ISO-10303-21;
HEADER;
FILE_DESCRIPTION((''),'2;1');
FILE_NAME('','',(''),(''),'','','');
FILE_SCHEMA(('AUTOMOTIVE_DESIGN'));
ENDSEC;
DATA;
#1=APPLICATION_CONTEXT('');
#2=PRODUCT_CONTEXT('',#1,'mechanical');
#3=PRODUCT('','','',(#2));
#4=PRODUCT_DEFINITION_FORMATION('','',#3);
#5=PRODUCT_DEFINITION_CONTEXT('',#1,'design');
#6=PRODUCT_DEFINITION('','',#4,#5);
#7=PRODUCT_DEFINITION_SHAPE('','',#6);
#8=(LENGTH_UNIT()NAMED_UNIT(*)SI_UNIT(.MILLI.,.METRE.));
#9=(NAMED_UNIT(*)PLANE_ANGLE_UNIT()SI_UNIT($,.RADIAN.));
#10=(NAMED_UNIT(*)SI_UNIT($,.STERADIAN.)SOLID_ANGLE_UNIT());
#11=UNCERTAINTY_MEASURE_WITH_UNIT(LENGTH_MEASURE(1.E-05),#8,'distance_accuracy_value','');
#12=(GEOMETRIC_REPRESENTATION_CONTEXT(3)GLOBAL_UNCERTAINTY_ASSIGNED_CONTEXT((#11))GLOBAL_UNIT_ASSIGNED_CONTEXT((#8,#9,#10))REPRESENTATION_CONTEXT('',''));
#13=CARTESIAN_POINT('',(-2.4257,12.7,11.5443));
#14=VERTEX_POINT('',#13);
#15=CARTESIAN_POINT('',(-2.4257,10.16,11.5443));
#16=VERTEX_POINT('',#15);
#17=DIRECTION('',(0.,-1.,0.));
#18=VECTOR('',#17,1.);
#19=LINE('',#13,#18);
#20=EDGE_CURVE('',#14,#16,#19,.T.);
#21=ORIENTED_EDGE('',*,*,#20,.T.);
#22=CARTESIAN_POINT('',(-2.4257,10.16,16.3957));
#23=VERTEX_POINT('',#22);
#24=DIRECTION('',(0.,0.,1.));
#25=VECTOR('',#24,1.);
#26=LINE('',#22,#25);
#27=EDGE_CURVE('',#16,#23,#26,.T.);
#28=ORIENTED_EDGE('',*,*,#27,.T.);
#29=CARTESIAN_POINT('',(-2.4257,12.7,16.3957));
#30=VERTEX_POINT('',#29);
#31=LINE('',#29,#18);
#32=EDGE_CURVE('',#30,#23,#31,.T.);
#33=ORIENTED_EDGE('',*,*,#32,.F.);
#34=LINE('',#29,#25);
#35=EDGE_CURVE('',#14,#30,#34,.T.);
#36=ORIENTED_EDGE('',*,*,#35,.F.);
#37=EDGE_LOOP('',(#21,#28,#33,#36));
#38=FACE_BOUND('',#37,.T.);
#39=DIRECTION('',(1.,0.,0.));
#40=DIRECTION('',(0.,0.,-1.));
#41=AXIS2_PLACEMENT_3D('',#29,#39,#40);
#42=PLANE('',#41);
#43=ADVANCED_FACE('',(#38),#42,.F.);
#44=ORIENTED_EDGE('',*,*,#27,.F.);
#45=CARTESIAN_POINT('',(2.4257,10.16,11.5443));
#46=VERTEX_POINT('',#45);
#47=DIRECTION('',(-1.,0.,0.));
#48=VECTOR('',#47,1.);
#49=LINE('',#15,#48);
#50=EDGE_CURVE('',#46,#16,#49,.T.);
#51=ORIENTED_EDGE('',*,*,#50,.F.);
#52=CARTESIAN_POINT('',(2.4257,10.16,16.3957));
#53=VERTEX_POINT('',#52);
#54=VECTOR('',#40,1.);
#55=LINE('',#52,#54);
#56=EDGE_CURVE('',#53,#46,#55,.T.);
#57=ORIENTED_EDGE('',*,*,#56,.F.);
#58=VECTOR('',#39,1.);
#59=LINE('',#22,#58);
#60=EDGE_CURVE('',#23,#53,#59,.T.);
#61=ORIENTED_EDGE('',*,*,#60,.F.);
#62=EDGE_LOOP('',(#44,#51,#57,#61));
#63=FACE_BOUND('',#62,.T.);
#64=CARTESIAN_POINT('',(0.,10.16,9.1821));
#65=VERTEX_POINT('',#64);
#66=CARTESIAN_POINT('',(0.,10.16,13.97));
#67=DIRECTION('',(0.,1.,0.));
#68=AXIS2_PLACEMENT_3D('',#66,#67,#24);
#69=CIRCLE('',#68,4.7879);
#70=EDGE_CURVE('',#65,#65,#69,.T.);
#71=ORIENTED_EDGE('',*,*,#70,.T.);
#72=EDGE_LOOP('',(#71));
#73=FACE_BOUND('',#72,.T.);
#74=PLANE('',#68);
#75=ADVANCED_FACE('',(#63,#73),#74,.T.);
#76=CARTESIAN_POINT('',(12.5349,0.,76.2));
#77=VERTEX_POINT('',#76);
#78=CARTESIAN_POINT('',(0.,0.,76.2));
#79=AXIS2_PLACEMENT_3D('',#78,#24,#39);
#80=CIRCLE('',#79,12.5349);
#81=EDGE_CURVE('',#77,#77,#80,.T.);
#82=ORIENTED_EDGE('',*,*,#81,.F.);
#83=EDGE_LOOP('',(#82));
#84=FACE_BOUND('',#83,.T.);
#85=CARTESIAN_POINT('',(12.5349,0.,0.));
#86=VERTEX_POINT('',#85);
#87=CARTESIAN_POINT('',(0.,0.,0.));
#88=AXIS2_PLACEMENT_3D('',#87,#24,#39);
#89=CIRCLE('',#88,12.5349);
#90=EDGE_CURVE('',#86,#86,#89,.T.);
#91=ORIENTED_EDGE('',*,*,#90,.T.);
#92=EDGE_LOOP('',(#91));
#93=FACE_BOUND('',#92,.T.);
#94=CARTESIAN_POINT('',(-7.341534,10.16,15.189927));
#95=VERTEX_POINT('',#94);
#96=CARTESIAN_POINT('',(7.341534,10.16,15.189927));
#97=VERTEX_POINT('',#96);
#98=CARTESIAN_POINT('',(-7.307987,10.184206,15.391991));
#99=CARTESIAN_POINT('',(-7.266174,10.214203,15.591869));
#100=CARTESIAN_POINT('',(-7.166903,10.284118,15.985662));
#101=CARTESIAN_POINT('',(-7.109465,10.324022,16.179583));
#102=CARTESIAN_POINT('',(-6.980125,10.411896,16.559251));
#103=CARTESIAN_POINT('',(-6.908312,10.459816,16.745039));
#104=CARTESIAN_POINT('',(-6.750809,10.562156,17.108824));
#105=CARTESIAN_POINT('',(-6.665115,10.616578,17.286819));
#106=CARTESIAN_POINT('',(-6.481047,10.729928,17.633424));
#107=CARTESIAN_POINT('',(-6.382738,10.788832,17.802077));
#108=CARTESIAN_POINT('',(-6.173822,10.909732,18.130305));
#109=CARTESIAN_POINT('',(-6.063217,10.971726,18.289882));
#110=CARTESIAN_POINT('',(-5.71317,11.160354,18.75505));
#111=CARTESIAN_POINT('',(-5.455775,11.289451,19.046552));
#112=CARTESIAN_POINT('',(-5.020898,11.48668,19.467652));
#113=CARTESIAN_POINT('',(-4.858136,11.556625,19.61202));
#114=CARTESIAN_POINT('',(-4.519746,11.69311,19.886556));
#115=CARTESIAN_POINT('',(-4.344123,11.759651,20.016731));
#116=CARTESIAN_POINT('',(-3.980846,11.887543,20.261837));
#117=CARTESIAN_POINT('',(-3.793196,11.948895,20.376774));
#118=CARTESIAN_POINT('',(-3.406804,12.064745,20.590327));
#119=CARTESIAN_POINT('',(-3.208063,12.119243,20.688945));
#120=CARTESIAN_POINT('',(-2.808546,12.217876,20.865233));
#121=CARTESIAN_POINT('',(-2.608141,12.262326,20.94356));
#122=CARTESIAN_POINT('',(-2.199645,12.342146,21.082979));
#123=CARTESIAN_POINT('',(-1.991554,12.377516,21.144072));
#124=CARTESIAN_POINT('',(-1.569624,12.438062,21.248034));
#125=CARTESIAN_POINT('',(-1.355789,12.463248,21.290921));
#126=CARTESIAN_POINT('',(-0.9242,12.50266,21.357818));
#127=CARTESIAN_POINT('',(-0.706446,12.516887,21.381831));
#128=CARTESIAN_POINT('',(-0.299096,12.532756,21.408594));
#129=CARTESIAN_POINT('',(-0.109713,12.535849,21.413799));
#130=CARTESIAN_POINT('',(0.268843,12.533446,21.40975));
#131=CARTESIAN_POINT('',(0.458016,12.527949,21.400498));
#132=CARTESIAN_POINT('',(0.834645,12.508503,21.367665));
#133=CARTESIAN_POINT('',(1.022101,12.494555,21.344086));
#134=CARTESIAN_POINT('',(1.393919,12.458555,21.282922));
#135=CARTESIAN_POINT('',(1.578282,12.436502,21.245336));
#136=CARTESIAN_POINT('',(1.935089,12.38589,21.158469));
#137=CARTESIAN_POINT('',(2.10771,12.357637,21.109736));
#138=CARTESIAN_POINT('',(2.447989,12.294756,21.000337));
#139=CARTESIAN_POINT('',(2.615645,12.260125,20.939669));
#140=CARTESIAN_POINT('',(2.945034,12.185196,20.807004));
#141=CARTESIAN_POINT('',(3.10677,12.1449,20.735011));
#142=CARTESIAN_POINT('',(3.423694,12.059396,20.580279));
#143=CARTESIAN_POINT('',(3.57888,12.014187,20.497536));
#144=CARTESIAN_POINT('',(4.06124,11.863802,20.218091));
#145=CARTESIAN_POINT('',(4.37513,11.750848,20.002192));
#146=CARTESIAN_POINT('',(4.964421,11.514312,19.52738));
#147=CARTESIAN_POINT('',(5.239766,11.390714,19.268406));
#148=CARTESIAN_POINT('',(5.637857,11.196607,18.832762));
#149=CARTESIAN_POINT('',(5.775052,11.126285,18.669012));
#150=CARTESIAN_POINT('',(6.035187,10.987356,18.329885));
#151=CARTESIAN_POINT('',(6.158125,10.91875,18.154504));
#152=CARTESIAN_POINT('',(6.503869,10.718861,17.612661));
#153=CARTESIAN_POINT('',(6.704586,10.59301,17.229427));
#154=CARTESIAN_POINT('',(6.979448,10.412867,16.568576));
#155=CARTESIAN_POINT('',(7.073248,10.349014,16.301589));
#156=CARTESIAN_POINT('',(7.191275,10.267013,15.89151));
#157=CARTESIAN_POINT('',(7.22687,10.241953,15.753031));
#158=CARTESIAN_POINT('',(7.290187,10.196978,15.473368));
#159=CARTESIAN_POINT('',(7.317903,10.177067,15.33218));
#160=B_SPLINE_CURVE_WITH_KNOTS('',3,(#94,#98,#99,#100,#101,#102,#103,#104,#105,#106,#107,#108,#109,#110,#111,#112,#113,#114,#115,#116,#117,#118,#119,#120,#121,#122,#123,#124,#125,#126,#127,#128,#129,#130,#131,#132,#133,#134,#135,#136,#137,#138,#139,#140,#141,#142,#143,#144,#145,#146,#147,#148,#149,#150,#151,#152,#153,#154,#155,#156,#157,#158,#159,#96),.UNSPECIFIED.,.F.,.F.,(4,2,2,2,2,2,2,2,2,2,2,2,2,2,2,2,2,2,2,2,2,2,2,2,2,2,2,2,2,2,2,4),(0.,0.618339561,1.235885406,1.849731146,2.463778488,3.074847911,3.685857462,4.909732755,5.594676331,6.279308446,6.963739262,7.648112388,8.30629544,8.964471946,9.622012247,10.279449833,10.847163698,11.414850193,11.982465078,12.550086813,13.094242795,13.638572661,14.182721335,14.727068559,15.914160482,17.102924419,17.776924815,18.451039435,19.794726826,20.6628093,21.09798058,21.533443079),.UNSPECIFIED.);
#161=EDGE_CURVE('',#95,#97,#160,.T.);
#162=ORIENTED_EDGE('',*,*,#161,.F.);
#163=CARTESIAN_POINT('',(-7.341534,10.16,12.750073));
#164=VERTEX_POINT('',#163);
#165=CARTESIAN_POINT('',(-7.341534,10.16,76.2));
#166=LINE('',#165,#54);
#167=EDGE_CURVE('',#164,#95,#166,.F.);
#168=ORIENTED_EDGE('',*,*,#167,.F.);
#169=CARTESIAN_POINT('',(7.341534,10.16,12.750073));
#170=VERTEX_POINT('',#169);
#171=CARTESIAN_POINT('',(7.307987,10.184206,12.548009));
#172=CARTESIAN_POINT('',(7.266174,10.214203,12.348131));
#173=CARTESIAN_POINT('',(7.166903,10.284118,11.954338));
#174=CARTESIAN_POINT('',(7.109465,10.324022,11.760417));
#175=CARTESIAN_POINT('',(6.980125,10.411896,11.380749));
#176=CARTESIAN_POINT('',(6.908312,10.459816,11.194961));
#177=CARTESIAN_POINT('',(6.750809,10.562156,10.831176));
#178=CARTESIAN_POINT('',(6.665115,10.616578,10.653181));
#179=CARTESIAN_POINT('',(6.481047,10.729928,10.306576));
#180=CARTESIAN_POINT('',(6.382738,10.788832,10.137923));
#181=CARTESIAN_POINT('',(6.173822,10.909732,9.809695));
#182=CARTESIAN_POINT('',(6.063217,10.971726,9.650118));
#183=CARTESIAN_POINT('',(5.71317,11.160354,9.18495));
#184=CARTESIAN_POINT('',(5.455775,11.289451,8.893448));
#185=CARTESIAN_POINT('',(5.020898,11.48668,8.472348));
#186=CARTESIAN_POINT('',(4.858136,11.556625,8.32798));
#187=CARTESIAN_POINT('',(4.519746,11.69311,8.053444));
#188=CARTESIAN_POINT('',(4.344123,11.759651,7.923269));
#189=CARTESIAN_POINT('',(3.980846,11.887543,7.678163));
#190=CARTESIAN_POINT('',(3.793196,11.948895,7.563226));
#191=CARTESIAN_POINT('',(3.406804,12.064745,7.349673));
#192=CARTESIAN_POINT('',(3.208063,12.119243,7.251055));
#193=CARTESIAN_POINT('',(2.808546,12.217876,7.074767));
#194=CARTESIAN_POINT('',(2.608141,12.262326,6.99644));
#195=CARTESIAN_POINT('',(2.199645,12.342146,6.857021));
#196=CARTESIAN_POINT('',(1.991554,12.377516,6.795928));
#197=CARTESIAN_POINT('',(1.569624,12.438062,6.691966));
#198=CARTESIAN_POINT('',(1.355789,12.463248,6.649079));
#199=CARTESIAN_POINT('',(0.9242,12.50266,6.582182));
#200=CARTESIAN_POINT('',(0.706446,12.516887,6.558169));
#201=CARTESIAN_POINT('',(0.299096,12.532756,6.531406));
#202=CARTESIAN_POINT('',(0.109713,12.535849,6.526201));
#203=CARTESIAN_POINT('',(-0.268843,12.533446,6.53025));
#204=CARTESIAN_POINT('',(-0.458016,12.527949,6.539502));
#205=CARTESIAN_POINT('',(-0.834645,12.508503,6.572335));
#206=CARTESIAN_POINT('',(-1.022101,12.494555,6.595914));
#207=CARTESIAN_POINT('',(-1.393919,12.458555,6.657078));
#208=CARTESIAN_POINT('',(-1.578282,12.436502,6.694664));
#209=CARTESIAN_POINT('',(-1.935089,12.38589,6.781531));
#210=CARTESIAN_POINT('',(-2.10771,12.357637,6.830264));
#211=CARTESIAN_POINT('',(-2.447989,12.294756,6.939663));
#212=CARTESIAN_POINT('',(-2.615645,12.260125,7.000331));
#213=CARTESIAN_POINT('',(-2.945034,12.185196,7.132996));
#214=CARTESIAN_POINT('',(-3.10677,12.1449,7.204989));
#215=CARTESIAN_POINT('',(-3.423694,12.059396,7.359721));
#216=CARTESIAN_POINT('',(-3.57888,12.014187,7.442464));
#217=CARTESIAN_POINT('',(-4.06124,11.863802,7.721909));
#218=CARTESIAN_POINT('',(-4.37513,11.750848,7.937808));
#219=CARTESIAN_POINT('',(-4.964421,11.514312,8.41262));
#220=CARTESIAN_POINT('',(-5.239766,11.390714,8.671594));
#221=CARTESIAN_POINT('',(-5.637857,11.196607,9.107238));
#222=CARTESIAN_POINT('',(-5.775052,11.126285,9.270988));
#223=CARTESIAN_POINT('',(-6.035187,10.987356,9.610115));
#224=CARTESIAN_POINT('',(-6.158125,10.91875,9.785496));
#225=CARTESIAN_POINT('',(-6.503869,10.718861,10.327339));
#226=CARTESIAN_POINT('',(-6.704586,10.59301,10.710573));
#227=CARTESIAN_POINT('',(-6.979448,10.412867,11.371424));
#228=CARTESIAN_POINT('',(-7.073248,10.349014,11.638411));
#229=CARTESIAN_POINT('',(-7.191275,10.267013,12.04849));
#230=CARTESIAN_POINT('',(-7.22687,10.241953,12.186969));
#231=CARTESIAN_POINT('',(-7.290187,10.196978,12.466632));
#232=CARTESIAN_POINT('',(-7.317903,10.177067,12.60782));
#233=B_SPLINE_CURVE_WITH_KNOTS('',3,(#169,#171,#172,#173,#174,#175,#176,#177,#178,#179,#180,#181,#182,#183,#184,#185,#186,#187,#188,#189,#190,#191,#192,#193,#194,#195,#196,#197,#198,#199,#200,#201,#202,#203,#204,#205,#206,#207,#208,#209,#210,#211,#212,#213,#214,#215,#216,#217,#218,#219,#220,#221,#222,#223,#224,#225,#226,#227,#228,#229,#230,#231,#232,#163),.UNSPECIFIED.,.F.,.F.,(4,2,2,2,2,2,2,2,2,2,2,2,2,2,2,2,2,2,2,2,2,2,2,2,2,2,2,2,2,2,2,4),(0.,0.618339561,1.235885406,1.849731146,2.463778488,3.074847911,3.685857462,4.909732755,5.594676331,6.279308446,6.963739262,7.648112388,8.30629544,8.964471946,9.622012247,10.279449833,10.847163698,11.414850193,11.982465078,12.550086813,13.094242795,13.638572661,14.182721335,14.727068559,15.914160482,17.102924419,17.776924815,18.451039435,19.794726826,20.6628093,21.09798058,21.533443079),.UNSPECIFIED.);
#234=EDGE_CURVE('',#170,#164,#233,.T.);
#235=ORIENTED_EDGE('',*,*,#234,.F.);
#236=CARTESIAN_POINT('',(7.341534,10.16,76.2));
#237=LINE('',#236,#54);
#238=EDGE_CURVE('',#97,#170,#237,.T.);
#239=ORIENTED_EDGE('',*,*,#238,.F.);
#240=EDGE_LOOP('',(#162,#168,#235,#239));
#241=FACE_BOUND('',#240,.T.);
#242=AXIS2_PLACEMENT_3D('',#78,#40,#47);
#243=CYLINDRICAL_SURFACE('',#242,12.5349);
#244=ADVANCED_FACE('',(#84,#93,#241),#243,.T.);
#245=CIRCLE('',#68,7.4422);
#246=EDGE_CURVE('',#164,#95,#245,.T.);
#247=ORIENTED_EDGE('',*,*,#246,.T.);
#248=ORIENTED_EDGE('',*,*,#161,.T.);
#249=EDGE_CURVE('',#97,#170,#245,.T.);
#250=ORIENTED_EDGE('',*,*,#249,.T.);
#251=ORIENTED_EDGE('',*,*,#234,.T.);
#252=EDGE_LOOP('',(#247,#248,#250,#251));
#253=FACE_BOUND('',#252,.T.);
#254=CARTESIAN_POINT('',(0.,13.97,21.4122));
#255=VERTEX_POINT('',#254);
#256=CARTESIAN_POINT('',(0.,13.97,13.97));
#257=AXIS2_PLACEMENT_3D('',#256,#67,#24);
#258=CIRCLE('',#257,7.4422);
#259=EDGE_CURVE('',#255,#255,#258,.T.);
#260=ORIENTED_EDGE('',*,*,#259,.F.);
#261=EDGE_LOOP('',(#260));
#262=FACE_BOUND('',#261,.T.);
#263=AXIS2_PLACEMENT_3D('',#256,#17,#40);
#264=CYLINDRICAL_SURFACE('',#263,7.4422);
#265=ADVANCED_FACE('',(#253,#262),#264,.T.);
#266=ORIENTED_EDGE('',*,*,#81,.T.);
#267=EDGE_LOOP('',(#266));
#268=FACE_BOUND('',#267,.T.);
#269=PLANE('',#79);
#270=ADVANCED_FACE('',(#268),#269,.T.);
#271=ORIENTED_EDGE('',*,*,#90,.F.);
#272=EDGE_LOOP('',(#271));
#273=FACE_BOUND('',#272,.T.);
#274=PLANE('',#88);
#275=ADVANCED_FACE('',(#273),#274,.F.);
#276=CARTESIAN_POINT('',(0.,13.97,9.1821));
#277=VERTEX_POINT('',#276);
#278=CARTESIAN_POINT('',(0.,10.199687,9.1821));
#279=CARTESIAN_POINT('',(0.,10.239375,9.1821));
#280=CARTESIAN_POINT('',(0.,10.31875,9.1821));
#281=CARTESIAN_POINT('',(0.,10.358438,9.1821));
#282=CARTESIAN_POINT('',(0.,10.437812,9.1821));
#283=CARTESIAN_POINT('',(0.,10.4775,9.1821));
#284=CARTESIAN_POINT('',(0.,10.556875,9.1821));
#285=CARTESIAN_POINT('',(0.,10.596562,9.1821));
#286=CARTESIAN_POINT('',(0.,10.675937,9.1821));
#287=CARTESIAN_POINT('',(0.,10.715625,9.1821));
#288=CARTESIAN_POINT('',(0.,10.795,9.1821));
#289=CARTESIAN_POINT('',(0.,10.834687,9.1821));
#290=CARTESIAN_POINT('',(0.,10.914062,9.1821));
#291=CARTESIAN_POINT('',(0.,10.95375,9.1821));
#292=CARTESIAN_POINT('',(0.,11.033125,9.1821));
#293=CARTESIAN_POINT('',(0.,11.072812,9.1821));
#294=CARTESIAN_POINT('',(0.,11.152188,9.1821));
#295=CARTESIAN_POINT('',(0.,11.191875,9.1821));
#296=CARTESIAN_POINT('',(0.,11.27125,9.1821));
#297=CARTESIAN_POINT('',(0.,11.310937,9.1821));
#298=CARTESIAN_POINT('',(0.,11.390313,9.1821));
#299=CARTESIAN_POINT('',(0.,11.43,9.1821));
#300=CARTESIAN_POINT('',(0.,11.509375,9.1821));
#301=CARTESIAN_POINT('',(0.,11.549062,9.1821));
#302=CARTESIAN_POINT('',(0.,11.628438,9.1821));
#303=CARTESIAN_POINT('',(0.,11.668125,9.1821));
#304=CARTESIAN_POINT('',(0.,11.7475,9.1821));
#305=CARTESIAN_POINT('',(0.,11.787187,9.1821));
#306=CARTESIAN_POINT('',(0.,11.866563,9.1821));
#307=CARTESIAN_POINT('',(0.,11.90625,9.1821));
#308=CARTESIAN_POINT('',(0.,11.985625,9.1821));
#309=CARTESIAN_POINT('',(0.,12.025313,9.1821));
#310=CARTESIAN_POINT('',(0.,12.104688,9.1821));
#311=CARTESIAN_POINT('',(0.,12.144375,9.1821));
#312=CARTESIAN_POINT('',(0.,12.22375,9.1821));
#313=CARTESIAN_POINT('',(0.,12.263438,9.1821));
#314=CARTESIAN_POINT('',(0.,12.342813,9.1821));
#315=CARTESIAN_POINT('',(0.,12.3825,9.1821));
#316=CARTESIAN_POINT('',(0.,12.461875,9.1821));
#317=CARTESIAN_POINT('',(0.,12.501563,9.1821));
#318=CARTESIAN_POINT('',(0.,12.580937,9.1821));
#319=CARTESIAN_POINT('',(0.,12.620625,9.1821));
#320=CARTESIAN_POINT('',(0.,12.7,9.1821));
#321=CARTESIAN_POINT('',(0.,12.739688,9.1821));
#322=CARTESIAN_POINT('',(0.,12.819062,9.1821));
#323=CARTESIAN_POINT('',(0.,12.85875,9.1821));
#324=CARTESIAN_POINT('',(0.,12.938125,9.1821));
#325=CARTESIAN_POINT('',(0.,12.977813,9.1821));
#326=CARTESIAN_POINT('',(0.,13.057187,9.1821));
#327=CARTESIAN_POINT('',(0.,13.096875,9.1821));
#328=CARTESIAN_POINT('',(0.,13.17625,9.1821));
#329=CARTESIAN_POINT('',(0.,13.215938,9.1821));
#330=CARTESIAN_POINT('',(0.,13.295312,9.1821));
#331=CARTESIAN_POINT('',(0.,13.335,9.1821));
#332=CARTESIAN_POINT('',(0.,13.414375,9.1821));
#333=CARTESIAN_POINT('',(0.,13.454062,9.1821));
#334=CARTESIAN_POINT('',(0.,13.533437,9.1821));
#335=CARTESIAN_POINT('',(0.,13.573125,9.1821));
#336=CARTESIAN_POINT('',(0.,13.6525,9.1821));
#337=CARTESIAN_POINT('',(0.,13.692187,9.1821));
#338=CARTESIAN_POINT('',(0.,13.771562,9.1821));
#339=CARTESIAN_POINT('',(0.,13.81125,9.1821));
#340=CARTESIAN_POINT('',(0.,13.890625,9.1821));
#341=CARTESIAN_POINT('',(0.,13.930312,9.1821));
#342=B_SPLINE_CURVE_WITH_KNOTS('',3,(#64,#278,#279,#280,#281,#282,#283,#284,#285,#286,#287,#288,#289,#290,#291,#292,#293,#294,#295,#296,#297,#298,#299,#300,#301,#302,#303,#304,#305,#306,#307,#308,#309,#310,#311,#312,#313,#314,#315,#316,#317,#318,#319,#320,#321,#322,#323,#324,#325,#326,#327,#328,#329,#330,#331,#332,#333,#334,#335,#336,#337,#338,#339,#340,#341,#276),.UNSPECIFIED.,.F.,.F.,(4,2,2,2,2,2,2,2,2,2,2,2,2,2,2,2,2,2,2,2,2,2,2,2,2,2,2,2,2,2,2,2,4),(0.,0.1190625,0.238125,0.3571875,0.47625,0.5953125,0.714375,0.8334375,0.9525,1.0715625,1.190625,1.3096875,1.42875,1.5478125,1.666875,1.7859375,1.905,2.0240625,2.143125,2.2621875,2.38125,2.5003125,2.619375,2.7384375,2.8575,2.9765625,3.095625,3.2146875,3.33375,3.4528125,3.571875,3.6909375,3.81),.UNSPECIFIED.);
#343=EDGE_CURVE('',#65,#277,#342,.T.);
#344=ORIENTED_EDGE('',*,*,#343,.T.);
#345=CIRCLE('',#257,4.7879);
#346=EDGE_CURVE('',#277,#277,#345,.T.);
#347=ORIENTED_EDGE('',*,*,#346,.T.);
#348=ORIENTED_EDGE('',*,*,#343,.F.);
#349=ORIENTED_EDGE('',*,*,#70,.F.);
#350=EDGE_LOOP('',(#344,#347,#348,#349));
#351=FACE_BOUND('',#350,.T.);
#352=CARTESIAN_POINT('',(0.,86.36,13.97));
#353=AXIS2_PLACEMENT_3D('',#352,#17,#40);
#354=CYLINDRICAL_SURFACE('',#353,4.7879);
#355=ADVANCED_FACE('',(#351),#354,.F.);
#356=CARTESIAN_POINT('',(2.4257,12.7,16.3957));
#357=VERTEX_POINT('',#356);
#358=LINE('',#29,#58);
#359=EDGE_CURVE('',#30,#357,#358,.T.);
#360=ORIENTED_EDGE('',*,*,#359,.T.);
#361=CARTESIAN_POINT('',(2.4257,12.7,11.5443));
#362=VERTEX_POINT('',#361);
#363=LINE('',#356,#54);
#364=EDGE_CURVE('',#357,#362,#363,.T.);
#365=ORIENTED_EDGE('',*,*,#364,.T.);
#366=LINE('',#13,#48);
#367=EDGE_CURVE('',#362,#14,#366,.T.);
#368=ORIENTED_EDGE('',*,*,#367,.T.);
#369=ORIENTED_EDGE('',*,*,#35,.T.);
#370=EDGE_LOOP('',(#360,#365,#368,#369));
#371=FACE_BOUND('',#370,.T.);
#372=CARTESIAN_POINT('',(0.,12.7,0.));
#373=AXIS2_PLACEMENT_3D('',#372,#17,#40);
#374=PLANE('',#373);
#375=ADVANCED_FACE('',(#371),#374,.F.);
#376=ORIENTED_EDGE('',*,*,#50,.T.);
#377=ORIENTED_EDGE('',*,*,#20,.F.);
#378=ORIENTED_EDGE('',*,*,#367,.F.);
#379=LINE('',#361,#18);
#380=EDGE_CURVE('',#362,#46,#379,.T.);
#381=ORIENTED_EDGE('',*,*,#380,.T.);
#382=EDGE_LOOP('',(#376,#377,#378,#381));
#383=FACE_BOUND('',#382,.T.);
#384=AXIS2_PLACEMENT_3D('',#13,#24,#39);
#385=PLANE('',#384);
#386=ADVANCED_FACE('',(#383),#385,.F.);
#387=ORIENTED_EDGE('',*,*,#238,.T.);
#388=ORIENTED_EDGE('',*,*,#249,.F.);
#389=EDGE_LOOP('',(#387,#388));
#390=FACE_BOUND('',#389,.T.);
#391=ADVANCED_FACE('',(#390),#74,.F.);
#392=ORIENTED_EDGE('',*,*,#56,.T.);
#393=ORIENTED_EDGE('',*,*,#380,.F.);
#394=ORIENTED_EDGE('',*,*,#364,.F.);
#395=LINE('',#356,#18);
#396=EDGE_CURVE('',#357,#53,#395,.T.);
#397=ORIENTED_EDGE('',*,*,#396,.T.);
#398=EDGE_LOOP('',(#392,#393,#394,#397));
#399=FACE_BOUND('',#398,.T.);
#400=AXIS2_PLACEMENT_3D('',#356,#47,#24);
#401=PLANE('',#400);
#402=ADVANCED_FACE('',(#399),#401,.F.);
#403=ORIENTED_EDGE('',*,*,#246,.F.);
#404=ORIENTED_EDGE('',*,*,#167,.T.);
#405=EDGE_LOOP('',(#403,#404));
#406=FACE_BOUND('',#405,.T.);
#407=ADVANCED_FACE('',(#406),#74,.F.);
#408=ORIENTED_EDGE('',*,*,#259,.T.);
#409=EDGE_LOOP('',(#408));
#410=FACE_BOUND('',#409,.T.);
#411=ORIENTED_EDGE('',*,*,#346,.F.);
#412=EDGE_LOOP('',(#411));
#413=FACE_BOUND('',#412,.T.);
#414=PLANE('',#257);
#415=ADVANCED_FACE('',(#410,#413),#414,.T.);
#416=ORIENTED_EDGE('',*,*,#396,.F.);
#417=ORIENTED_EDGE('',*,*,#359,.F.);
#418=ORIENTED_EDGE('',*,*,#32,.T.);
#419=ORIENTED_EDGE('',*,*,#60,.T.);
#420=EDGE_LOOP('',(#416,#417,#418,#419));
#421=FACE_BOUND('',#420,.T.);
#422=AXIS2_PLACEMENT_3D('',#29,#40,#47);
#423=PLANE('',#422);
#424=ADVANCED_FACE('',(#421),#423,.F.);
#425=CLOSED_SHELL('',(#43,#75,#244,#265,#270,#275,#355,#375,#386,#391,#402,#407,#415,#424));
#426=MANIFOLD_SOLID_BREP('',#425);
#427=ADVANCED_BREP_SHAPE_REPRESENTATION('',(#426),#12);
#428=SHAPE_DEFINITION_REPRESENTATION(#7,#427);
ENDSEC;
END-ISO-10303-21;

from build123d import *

# Parameters (mm, degrees)
SKETCH1_R           = 12.5349
BOSS_EXTRUDE1_DEPTH = 76.2
SKETCH2_R           = 4.7879
CUT_EXTRUDE1_DEPTH  = 76.2
SKETCH3_W           = 4.8514
SKETCH3_H           = 4.8514
BOSS_EXTRUDE2_DEPTH = 2.54
SKETCH4_R           = 7.4422
SKETCH4_R_2         = 4.7879
BOSS_EXTRUDE3_DEPTH = 3.81


with BuildPart() as part:
    # Sketch1 → Boss-Extrude1 (new body)
    with BuildSketch(Plane.XY):
        with Locations(Location((0, 0, 0), (0, 0, 180))):
            Circle(SKETCH1_R)
    extrude(amount=BOSS_EXTRUDE1_DEPTH)

    # Sketch2 → Cut-Extrude1 (cut)
    with BuildSketch(Plane(origin=(0, 10.16, 0), x_dir=(1, 0, 0), z_dir=(0, 1, 0))):
        with Locations(Location((0, -13.97, 0), (0, 0, 90))):
            Circle(SKETCH2_R)
    extrude(amount=CUT_EXTRUDE1_DEPTH, mode=Mode.SUBTRACT)

    # Sketch3 → Boss-Extrude2 (add)
    with BuildSketch(Plane(origin=(0, 10.16, 0), x_dir=(1, 0, 0), z_dir=(0, 1, 0))):
        with Locations((0, -13.97)):
            Rectangle(SKETCH3_W, SKETCH3_H)
    extrude(amount=BOSS_EXTRUDE2_DEPTH)

    # Sketch4 → Boss-Extrude3 (add)
    with BuildSketch(Plane(origin=(0, 10.16, 0), x_dir=(1, 0, 0), z_dir=(0, 1, 0))):
        with Locations(Location((0, -13.97, 0), (0, 0, 170.565483852))):
            Circle(SKETCH4_R)
        with Locations(Location((0, -13.97, 0), (0, 0, 90))):
            Circle(SKETCH4_R_2, mode=Mode.SUBTRACT)
    extrude(amount=BOSS_EXTRUDE3_DEPTH)


solid = part.part
